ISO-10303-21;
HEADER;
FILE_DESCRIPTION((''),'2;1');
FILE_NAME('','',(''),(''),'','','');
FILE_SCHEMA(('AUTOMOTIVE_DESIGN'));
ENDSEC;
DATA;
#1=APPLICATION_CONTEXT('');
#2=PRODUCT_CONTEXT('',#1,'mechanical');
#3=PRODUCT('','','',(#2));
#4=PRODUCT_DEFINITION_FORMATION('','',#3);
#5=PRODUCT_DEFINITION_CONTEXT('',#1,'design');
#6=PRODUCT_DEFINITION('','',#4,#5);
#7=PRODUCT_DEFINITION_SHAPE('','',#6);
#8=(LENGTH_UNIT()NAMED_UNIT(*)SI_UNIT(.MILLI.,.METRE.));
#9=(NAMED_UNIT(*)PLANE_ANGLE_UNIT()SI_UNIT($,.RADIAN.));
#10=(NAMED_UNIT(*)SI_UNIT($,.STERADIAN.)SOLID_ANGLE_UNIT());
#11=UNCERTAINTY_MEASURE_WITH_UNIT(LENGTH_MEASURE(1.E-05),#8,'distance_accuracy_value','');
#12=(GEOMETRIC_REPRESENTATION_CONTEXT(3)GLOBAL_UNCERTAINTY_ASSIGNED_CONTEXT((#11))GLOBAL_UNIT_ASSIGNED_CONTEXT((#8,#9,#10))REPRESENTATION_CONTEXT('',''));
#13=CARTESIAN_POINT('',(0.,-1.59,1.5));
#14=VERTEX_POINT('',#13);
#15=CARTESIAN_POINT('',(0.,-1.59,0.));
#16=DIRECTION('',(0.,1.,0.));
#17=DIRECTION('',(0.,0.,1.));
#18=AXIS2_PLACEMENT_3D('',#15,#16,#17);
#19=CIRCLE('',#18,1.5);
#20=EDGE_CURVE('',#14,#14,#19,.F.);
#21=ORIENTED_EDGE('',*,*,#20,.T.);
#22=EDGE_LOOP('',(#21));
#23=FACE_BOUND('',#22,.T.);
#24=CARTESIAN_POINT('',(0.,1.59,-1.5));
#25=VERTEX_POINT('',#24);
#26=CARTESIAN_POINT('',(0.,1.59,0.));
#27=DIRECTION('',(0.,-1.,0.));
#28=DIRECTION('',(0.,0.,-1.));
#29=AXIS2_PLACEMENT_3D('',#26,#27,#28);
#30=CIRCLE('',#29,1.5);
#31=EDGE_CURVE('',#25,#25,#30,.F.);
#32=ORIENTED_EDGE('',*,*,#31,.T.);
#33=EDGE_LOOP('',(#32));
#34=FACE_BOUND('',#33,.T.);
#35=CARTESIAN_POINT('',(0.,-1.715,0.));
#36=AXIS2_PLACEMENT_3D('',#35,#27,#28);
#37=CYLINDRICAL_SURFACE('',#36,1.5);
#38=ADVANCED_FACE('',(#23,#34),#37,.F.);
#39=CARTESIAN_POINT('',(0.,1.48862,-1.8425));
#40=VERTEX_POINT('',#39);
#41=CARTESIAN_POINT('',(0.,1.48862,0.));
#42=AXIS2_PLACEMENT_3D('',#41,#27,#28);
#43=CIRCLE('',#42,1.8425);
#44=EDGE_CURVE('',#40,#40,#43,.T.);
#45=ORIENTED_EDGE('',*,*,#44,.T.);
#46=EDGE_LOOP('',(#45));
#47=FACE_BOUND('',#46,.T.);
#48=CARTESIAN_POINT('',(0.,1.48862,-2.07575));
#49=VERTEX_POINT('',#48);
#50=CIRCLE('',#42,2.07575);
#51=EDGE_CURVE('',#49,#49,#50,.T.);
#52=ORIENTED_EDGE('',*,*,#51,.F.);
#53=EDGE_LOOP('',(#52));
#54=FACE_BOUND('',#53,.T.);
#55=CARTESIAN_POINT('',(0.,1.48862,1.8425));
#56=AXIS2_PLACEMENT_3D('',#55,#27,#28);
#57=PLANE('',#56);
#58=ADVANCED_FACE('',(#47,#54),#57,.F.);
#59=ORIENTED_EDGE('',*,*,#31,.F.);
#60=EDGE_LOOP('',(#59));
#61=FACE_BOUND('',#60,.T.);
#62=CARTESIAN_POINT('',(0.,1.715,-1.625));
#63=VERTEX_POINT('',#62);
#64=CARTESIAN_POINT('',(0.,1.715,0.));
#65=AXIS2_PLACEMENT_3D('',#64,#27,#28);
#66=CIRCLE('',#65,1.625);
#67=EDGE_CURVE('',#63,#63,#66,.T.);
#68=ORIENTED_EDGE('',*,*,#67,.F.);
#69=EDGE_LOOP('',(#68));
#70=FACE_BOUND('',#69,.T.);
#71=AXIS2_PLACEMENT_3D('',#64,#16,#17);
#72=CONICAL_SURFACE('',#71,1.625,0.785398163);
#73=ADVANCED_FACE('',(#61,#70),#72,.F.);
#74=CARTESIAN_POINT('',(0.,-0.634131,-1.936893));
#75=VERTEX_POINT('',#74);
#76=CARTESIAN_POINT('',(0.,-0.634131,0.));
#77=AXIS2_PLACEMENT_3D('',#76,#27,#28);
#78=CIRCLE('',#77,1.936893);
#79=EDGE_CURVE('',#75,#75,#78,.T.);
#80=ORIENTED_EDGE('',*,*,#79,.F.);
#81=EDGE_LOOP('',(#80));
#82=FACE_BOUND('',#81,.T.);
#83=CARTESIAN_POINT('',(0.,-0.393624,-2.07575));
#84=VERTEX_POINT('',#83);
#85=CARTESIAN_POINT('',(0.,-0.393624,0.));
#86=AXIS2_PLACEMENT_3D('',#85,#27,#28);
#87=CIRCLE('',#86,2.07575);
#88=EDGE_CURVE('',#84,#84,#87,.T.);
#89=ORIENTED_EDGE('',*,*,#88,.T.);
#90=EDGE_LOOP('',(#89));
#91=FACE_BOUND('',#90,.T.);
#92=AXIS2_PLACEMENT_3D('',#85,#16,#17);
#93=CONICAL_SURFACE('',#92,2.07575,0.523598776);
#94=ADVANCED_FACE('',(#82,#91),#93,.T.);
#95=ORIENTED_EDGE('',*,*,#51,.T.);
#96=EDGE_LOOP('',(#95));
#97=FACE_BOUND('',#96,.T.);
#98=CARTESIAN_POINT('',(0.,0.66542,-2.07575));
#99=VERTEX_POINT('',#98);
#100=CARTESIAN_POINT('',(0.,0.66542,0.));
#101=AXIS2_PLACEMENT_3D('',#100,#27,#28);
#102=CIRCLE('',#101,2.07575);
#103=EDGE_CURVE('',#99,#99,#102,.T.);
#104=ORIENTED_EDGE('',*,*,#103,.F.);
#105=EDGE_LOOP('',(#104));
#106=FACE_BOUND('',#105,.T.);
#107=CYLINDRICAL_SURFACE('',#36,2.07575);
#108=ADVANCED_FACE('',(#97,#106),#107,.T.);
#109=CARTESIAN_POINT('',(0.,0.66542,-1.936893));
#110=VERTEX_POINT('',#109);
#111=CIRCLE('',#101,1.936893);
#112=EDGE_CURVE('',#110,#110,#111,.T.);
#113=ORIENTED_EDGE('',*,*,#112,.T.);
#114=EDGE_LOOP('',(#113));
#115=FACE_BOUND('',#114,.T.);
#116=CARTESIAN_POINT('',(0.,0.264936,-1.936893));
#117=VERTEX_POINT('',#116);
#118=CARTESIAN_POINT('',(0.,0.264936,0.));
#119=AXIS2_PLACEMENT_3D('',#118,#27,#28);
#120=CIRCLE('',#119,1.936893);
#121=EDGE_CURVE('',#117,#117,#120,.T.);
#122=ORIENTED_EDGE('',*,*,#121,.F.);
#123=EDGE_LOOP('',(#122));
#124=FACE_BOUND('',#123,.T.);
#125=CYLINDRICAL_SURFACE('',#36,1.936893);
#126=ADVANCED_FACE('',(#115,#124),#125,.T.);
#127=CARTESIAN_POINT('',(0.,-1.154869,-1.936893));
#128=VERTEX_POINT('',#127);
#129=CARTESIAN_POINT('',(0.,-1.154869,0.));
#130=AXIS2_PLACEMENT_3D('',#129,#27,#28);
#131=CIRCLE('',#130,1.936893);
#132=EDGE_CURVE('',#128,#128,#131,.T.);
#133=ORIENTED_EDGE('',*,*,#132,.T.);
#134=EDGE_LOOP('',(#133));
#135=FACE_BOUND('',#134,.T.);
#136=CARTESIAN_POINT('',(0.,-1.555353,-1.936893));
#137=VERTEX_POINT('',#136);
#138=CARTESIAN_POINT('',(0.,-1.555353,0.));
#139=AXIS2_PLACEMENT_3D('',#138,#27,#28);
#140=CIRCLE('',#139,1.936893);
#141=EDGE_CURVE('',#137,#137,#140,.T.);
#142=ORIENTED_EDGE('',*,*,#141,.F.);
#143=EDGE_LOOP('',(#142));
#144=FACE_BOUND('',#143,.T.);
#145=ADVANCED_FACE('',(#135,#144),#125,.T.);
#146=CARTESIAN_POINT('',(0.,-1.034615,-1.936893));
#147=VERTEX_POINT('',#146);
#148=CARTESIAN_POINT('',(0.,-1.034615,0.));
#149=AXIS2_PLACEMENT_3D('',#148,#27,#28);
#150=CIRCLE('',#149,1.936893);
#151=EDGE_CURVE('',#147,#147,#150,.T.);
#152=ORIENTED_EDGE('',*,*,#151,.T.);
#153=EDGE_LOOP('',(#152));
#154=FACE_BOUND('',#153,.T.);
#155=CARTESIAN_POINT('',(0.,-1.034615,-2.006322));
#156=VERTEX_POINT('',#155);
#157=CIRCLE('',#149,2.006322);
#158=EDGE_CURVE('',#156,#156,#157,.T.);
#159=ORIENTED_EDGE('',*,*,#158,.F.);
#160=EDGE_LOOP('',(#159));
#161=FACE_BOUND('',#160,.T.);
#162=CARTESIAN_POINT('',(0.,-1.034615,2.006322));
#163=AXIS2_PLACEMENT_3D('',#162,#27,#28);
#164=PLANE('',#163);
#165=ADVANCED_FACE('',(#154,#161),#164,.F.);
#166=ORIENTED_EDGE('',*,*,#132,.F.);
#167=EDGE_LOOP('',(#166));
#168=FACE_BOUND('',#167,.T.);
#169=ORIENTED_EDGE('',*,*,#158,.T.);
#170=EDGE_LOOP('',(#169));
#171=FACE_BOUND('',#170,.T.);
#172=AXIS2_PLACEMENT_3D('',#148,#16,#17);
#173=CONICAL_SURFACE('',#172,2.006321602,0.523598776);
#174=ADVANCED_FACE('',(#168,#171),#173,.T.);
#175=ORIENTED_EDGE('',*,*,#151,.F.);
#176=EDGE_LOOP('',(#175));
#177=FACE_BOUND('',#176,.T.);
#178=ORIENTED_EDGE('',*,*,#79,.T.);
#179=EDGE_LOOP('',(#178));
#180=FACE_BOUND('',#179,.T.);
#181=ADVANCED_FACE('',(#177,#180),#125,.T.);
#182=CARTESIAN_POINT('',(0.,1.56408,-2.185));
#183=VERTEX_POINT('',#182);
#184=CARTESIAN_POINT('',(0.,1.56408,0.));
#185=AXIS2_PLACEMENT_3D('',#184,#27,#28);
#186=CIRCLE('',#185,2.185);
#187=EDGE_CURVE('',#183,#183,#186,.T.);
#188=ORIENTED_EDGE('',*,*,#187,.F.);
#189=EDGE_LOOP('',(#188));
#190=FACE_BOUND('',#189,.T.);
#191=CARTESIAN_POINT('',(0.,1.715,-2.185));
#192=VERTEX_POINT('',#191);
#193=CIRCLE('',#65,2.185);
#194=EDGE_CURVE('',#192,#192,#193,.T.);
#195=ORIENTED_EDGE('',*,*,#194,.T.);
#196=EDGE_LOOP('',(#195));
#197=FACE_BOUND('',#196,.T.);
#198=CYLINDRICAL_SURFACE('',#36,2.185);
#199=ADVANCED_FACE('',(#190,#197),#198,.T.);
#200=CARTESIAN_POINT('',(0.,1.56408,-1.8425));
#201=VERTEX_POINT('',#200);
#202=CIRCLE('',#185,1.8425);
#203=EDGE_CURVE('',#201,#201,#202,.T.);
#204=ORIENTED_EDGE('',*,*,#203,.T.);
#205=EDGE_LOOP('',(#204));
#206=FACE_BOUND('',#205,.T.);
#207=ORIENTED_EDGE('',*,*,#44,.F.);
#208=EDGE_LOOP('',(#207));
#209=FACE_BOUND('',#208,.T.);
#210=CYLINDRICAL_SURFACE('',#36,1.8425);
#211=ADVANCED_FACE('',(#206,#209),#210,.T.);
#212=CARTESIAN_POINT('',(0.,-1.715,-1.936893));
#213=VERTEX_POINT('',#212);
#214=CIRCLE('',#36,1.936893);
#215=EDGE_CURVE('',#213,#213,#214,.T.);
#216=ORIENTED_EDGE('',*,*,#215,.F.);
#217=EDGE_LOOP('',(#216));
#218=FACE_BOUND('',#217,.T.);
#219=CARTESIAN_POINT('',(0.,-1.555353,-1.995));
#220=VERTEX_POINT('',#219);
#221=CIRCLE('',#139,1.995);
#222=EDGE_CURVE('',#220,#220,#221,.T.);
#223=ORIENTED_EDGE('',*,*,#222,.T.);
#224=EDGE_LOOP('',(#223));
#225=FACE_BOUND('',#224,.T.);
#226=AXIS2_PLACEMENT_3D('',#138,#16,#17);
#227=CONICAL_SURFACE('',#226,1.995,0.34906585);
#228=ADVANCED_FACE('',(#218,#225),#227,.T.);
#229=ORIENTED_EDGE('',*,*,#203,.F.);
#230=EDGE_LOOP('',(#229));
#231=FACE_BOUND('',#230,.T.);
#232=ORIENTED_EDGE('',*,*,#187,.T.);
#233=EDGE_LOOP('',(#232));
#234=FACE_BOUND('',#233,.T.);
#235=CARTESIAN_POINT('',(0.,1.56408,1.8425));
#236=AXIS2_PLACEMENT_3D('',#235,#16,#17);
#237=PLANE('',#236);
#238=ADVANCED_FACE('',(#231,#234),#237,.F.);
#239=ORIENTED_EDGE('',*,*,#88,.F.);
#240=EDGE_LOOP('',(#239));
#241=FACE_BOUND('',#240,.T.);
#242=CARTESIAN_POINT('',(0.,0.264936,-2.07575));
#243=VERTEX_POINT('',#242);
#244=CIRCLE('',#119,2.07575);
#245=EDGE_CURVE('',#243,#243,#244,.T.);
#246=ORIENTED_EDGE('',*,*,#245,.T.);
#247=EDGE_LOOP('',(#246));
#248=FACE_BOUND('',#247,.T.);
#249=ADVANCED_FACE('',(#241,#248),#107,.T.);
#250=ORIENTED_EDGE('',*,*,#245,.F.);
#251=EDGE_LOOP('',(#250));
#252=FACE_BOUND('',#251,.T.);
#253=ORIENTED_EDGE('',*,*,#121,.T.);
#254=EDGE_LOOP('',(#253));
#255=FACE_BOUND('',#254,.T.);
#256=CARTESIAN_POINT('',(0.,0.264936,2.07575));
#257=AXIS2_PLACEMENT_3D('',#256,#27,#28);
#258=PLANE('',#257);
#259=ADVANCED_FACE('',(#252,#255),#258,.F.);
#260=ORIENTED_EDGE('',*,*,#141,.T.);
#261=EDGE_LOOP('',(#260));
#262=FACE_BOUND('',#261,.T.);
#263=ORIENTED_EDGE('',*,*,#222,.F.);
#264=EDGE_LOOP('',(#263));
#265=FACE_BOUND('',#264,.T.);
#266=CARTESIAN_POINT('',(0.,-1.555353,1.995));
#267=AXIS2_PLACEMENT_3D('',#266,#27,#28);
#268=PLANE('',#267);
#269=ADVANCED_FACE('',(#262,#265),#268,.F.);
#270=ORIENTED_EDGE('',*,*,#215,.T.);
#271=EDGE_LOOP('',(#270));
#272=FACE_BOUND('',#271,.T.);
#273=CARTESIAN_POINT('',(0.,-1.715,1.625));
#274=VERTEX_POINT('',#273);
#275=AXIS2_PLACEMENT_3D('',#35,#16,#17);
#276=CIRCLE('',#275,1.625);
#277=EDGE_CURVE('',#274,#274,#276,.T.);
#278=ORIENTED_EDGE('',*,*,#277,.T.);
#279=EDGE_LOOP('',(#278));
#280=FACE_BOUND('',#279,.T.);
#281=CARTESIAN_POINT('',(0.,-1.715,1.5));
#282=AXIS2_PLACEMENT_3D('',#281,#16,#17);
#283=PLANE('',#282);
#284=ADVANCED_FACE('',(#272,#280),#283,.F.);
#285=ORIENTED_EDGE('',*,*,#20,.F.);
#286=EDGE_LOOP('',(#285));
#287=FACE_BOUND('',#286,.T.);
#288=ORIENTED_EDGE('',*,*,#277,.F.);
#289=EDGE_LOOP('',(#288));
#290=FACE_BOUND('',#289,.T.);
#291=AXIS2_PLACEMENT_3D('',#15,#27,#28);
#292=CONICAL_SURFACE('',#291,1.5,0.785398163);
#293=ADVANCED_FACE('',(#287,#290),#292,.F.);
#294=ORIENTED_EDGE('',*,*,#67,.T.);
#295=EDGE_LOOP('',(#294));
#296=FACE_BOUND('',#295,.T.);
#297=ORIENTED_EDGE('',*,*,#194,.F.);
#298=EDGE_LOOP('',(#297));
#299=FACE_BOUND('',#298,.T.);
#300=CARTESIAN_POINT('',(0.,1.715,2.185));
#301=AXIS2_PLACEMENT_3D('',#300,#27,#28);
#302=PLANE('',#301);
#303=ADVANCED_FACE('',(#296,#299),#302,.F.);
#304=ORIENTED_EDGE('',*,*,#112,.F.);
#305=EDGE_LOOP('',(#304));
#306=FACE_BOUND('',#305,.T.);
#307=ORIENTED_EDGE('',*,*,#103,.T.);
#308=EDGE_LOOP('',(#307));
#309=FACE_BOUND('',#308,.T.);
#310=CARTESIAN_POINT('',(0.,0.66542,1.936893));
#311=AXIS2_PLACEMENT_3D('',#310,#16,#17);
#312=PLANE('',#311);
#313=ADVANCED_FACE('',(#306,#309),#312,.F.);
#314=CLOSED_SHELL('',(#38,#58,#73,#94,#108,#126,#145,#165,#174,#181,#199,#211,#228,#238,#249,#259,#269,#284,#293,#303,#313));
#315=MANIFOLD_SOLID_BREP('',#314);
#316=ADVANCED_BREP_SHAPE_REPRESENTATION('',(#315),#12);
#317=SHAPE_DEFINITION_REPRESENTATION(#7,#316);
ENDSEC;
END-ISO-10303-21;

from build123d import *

# Parameters (mm, degrees)
CHAMFER1_SIZE = 0.125


with BuildPart() as part:
    # Sketch2 → Revolve1 (revolve)
    with BuildSketch(Plane(origin=(0, 0, 0), x_dir=(0, 0, -1), z_dir=(1, 0, 0))):
        Polygon((-1.5, 1.715), (-1.5, -1.715), (-1.936893204, -1.715), (-1.995, -1.55535289), (-1.936893204, -1.55535289), (-1.936893204, -1.154868773), (-2.006321602, -1.03461526), (-1.936893204, -1.03461526), (-1.936893204, -0.634131143), (-2.07575, -0.393624117), (-2.07575, 0.264935883), (-1.936893204, 0.264935883), (-1.936893204, 0.66542), (-2.07575, 0.66542), (-2.07575, 1.48862), (-1.8425, 1.48862), (-1.8425, 1.56408), (-2.185, 1.56408), (-2.185, 1.715), align=None)
    revolve(axis=Axis((0, -1.715, 0), (0, 1, 0)))

    # Chamfer1
    chamfer1_edges = [part.edges().sort_by_distance(p)[0] for p in [
        (0, -1.715, -1.5),
        (0, 1.715, -1.5),
    ]]
    chamfer(chamfer1_edges, length=CHAMFER1_SIZE)


solid = part.part
